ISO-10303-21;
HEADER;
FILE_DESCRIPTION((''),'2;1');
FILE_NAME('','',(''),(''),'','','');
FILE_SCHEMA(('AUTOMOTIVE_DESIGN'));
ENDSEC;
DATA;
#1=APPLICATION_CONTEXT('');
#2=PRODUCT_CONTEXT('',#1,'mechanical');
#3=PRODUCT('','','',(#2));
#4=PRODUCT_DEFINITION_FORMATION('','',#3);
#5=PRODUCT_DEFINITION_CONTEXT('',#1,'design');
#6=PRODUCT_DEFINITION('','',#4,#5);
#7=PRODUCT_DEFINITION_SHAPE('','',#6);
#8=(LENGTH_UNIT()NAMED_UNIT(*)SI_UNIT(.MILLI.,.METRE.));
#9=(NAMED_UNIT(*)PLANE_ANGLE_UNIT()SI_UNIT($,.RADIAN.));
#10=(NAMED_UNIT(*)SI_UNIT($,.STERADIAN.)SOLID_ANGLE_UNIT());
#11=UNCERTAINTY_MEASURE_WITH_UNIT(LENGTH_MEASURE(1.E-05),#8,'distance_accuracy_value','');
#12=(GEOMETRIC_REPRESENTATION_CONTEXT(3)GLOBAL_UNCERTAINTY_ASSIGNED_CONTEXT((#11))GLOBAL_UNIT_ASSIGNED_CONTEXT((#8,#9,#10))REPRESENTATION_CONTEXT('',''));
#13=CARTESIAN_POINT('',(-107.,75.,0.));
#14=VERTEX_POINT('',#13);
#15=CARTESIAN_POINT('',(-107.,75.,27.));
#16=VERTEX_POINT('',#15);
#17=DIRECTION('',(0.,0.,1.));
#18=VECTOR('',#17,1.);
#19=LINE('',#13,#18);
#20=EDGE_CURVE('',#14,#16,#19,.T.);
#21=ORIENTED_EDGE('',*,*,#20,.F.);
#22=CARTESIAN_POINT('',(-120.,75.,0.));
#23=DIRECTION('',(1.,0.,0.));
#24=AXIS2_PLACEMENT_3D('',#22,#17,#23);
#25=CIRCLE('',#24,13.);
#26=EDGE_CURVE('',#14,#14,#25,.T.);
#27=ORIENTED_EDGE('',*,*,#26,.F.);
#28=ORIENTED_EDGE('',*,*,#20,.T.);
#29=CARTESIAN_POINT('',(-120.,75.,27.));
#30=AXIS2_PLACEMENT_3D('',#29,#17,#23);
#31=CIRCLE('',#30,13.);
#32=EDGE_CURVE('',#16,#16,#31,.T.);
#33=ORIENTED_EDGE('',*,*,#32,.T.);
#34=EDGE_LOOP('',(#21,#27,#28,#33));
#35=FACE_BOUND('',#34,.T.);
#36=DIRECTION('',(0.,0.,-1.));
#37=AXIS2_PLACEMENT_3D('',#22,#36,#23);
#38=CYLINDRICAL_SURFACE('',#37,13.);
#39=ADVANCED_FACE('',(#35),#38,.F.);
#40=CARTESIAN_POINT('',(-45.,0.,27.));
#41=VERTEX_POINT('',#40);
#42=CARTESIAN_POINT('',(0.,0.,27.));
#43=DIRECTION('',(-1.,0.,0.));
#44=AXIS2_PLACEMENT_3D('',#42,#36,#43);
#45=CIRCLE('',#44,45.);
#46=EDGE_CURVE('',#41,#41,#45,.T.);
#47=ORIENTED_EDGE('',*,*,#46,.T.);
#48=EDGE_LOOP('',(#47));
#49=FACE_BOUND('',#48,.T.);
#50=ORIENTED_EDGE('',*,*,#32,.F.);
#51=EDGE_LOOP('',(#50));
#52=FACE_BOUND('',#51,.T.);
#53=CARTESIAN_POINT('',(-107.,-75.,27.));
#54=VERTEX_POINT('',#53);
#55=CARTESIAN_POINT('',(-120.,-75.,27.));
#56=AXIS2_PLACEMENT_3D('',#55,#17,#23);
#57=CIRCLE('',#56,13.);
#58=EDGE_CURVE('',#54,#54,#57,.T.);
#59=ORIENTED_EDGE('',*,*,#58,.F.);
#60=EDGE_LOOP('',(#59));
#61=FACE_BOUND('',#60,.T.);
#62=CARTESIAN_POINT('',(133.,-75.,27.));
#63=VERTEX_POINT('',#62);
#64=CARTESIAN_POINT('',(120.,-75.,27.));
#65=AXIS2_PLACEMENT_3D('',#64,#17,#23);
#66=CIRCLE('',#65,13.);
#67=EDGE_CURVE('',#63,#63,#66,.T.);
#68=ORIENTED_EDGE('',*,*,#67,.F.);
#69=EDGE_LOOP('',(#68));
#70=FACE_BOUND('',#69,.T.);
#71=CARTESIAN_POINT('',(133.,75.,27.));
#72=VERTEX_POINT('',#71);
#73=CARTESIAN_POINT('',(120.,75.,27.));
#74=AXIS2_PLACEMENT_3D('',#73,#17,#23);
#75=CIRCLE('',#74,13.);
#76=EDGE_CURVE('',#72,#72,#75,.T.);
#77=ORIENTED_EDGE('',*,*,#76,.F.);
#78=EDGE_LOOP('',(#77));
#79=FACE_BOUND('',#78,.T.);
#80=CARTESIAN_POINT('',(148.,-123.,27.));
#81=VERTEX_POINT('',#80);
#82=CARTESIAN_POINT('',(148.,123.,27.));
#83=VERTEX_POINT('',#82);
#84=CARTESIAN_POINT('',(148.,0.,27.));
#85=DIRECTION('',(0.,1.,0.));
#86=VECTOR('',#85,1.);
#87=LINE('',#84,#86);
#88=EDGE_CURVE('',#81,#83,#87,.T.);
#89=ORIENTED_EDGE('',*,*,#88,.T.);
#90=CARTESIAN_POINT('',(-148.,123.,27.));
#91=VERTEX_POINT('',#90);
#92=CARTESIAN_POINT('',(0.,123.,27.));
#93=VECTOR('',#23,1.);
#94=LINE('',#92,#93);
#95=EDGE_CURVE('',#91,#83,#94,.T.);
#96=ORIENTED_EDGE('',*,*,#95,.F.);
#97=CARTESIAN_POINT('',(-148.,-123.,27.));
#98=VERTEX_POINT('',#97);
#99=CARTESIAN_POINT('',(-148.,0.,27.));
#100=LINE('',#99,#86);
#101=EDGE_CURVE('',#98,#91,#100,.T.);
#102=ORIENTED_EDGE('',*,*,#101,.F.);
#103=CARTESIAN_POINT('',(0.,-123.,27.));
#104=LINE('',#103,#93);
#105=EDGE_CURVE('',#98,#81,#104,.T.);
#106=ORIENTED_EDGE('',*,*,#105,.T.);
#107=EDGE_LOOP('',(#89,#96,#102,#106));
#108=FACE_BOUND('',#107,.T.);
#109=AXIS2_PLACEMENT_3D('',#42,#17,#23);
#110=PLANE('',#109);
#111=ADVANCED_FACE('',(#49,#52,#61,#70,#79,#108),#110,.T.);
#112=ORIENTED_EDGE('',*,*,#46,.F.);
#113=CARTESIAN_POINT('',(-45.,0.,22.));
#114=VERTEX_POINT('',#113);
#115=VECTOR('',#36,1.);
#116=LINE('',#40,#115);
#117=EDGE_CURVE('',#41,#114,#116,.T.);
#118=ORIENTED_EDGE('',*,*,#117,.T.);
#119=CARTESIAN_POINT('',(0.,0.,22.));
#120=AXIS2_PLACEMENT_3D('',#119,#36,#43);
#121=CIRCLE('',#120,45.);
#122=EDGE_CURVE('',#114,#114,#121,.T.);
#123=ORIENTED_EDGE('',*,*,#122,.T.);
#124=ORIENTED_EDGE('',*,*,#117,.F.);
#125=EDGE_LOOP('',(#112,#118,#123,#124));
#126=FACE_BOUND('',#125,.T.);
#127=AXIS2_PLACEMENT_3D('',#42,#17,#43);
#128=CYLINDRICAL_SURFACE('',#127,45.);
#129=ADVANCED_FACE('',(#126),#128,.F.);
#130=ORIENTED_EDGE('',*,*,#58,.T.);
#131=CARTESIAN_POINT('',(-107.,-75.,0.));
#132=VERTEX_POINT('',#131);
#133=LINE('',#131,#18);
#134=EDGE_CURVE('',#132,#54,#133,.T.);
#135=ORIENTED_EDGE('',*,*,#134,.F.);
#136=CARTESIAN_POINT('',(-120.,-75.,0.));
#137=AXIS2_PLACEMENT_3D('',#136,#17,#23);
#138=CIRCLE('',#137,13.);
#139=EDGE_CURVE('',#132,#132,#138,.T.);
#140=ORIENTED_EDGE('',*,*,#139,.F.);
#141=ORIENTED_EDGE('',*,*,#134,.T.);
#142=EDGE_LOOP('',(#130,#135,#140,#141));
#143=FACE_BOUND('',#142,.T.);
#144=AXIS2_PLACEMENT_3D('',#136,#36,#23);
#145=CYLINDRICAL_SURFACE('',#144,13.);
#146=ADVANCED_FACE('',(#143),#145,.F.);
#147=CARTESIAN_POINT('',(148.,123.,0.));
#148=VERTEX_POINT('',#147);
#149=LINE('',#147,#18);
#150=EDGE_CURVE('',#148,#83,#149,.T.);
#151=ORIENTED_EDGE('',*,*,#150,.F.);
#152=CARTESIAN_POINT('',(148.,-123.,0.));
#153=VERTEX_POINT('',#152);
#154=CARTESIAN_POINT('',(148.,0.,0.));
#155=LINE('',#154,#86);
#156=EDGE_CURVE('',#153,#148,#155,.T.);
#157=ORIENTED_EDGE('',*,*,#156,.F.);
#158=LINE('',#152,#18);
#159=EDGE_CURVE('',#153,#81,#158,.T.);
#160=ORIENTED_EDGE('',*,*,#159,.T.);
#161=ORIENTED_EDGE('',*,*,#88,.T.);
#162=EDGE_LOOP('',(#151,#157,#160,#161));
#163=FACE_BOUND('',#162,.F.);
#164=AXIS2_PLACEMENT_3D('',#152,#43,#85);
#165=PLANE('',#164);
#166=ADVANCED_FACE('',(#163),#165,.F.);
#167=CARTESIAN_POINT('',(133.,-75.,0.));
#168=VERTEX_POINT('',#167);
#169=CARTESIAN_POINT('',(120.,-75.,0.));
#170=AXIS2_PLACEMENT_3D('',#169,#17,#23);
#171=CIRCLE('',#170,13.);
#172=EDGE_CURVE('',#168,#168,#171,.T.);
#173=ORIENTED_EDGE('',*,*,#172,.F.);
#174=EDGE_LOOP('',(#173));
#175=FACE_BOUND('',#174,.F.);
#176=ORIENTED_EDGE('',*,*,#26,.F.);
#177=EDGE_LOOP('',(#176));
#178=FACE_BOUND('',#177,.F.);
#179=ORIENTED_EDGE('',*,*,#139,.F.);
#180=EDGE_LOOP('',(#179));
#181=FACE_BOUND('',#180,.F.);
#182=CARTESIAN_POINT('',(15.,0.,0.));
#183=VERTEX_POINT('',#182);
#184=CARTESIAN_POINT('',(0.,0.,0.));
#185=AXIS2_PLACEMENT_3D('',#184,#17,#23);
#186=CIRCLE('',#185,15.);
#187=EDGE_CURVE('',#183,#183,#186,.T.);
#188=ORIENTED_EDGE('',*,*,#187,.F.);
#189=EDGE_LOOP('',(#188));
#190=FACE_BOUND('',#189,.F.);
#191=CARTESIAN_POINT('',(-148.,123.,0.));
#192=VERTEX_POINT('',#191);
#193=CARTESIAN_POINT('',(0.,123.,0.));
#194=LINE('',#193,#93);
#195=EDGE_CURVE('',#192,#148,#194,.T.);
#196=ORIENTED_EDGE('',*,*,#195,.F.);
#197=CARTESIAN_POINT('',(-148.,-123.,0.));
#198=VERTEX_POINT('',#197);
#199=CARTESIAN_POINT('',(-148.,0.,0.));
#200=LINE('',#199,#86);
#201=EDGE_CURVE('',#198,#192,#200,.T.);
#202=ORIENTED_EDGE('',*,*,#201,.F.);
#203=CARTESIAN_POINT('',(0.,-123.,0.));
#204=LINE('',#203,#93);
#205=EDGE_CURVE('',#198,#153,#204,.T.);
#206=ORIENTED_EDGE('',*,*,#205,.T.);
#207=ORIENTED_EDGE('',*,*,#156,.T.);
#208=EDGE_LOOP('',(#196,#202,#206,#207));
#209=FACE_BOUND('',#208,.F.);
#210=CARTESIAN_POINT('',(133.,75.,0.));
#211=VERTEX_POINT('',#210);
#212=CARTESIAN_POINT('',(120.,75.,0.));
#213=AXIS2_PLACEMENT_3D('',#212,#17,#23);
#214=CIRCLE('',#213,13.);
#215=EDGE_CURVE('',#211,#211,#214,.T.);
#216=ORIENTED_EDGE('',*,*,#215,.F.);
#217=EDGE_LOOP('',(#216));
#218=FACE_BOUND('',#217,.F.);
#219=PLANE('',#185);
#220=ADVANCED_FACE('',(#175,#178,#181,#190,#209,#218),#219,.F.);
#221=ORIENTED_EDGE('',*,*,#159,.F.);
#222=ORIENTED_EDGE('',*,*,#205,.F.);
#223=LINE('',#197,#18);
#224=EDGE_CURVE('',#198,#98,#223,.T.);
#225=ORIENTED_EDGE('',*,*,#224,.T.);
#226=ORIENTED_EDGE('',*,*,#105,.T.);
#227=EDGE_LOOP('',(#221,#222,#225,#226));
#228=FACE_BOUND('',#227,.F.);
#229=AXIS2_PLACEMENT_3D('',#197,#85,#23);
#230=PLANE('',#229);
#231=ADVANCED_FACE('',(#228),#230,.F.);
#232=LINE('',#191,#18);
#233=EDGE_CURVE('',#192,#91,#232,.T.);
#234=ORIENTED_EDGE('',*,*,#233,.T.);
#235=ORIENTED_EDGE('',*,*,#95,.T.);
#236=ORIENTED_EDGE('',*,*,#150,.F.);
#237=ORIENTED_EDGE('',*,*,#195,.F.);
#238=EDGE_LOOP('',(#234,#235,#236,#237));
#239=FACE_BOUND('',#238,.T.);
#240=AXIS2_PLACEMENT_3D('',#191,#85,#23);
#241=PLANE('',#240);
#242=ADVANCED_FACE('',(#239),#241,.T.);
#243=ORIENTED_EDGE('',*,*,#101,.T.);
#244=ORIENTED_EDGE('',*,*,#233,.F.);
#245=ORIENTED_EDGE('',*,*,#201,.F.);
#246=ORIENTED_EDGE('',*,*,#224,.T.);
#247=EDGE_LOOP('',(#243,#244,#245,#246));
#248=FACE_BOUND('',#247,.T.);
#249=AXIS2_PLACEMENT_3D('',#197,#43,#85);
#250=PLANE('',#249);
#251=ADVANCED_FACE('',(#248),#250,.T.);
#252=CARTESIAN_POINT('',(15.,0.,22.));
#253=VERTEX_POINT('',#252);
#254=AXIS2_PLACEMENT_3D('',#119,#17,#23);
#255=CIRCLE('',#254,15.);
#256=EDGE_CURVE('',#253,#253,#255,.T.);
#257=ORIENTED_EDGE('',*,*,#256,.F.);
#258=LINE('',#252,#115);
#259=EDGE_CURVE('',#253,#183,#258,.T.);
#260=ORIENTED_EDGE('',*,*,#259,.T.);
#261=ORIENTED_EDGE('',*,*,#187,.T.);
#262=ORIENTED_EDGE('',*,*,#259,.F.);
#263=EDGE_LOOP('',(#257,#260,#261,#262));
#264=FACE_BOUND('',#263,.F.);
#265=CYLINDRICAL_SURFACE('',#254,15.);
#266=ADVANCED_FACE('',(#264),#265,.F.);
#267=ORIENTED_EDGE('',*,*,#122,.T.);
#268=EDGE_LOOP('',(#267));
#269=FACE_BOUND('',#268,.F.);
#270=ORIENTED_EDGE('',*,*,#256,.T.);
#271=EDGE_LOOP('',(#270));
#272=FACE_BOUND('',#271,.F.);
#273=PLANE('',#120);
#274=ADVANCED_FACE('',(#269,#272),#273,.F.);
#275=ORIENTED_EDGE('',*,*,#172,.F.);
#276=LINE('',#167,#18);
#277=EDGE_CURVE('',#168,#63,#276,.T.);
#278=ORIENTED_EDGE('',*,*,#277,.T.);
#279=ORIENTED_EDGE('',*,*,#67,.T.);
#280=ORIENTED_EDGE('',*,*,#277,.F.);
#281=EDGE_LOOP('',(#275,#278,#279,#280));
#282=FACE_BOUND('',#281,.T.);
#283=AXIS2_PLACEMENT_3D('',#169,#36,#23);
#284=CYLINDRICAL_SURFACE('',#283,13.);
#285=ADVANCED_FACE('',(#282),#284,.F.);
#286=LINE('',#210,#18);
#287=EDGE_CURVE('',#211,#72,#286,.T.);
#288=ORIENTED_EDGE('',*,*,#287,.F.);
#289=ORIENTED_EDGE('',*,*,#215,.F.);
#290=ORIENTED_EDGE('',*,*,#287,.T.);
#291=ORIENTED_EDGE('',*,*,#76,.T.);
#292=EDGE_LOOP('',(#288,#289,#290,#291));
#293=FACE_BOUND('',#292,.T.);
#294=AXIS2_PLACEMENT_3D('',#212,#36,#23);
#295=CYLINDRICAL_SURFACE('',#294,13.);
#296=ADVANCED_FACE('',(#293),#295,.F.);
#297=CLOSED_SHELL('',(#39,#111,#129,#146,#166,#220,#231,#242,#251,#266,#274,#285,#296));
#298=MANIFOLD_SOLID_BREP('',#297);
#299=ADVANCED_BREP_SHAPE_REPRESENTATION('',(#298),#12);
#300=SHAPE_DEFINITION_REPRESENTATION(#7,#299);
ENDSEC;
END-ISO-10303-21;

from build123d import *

# Parameters (mm, degrees)
SKETCH1_W      = 296
SKETCH1_H      = 246
SKETCH1_R      = 13
EXTRUDE1_DEPTH = 27
SKETCH2_R      = 45
EXTRUDE2_DEPTH = 5
SKETCH3_R      = 15
EXTRUDE3_DEPTH = 23


with BuildPart() as part:
    # Sketch1 → Extrude1 (new body)
    with BuildSketch(Plane.XY):
        Rectangle(SKETCH1_W, SKETCH1_H)
        with Locations((-120, 75)):
            Circle(SKETCH1_R, mode=Mode.SUBTRACT)
        with Locations((120, 75)):
            Circle(SKETCH1_R, mode=Mode.SUBTRACT)
        with Locations((120, -75)):
            Circle(SKETCH1_R, mode=Mode.SUBTRACT)
        with Locations((-120, -75)):
            Circle(SKETCH1_R, mode=Mode.SUBTRACT)
    extrude(amount=EXTRUDE1_DEPTH)

    # Sketch2 → Extrude2 (cut)
    with BuildSketch(Plane(origin=(0, 0, 27), x_dir=(-1, 0, 0), z_dir=(0, 0, -1))):
        Circle(SKETCH2_R)
    extrude(amount=EXTRUDE2_DEPTH, mode=Mode.SUBTRACT)

    # Sketch3 → Extrude3 (cut, through all)
    with BuildSketch(Plane.XY.offset(22)):
        Circle(SKETCH3_R)
    extrude(amount=-EXTRUDE3_DEPTH, mode=Mode.SUBTRACT)


solid = part.part
